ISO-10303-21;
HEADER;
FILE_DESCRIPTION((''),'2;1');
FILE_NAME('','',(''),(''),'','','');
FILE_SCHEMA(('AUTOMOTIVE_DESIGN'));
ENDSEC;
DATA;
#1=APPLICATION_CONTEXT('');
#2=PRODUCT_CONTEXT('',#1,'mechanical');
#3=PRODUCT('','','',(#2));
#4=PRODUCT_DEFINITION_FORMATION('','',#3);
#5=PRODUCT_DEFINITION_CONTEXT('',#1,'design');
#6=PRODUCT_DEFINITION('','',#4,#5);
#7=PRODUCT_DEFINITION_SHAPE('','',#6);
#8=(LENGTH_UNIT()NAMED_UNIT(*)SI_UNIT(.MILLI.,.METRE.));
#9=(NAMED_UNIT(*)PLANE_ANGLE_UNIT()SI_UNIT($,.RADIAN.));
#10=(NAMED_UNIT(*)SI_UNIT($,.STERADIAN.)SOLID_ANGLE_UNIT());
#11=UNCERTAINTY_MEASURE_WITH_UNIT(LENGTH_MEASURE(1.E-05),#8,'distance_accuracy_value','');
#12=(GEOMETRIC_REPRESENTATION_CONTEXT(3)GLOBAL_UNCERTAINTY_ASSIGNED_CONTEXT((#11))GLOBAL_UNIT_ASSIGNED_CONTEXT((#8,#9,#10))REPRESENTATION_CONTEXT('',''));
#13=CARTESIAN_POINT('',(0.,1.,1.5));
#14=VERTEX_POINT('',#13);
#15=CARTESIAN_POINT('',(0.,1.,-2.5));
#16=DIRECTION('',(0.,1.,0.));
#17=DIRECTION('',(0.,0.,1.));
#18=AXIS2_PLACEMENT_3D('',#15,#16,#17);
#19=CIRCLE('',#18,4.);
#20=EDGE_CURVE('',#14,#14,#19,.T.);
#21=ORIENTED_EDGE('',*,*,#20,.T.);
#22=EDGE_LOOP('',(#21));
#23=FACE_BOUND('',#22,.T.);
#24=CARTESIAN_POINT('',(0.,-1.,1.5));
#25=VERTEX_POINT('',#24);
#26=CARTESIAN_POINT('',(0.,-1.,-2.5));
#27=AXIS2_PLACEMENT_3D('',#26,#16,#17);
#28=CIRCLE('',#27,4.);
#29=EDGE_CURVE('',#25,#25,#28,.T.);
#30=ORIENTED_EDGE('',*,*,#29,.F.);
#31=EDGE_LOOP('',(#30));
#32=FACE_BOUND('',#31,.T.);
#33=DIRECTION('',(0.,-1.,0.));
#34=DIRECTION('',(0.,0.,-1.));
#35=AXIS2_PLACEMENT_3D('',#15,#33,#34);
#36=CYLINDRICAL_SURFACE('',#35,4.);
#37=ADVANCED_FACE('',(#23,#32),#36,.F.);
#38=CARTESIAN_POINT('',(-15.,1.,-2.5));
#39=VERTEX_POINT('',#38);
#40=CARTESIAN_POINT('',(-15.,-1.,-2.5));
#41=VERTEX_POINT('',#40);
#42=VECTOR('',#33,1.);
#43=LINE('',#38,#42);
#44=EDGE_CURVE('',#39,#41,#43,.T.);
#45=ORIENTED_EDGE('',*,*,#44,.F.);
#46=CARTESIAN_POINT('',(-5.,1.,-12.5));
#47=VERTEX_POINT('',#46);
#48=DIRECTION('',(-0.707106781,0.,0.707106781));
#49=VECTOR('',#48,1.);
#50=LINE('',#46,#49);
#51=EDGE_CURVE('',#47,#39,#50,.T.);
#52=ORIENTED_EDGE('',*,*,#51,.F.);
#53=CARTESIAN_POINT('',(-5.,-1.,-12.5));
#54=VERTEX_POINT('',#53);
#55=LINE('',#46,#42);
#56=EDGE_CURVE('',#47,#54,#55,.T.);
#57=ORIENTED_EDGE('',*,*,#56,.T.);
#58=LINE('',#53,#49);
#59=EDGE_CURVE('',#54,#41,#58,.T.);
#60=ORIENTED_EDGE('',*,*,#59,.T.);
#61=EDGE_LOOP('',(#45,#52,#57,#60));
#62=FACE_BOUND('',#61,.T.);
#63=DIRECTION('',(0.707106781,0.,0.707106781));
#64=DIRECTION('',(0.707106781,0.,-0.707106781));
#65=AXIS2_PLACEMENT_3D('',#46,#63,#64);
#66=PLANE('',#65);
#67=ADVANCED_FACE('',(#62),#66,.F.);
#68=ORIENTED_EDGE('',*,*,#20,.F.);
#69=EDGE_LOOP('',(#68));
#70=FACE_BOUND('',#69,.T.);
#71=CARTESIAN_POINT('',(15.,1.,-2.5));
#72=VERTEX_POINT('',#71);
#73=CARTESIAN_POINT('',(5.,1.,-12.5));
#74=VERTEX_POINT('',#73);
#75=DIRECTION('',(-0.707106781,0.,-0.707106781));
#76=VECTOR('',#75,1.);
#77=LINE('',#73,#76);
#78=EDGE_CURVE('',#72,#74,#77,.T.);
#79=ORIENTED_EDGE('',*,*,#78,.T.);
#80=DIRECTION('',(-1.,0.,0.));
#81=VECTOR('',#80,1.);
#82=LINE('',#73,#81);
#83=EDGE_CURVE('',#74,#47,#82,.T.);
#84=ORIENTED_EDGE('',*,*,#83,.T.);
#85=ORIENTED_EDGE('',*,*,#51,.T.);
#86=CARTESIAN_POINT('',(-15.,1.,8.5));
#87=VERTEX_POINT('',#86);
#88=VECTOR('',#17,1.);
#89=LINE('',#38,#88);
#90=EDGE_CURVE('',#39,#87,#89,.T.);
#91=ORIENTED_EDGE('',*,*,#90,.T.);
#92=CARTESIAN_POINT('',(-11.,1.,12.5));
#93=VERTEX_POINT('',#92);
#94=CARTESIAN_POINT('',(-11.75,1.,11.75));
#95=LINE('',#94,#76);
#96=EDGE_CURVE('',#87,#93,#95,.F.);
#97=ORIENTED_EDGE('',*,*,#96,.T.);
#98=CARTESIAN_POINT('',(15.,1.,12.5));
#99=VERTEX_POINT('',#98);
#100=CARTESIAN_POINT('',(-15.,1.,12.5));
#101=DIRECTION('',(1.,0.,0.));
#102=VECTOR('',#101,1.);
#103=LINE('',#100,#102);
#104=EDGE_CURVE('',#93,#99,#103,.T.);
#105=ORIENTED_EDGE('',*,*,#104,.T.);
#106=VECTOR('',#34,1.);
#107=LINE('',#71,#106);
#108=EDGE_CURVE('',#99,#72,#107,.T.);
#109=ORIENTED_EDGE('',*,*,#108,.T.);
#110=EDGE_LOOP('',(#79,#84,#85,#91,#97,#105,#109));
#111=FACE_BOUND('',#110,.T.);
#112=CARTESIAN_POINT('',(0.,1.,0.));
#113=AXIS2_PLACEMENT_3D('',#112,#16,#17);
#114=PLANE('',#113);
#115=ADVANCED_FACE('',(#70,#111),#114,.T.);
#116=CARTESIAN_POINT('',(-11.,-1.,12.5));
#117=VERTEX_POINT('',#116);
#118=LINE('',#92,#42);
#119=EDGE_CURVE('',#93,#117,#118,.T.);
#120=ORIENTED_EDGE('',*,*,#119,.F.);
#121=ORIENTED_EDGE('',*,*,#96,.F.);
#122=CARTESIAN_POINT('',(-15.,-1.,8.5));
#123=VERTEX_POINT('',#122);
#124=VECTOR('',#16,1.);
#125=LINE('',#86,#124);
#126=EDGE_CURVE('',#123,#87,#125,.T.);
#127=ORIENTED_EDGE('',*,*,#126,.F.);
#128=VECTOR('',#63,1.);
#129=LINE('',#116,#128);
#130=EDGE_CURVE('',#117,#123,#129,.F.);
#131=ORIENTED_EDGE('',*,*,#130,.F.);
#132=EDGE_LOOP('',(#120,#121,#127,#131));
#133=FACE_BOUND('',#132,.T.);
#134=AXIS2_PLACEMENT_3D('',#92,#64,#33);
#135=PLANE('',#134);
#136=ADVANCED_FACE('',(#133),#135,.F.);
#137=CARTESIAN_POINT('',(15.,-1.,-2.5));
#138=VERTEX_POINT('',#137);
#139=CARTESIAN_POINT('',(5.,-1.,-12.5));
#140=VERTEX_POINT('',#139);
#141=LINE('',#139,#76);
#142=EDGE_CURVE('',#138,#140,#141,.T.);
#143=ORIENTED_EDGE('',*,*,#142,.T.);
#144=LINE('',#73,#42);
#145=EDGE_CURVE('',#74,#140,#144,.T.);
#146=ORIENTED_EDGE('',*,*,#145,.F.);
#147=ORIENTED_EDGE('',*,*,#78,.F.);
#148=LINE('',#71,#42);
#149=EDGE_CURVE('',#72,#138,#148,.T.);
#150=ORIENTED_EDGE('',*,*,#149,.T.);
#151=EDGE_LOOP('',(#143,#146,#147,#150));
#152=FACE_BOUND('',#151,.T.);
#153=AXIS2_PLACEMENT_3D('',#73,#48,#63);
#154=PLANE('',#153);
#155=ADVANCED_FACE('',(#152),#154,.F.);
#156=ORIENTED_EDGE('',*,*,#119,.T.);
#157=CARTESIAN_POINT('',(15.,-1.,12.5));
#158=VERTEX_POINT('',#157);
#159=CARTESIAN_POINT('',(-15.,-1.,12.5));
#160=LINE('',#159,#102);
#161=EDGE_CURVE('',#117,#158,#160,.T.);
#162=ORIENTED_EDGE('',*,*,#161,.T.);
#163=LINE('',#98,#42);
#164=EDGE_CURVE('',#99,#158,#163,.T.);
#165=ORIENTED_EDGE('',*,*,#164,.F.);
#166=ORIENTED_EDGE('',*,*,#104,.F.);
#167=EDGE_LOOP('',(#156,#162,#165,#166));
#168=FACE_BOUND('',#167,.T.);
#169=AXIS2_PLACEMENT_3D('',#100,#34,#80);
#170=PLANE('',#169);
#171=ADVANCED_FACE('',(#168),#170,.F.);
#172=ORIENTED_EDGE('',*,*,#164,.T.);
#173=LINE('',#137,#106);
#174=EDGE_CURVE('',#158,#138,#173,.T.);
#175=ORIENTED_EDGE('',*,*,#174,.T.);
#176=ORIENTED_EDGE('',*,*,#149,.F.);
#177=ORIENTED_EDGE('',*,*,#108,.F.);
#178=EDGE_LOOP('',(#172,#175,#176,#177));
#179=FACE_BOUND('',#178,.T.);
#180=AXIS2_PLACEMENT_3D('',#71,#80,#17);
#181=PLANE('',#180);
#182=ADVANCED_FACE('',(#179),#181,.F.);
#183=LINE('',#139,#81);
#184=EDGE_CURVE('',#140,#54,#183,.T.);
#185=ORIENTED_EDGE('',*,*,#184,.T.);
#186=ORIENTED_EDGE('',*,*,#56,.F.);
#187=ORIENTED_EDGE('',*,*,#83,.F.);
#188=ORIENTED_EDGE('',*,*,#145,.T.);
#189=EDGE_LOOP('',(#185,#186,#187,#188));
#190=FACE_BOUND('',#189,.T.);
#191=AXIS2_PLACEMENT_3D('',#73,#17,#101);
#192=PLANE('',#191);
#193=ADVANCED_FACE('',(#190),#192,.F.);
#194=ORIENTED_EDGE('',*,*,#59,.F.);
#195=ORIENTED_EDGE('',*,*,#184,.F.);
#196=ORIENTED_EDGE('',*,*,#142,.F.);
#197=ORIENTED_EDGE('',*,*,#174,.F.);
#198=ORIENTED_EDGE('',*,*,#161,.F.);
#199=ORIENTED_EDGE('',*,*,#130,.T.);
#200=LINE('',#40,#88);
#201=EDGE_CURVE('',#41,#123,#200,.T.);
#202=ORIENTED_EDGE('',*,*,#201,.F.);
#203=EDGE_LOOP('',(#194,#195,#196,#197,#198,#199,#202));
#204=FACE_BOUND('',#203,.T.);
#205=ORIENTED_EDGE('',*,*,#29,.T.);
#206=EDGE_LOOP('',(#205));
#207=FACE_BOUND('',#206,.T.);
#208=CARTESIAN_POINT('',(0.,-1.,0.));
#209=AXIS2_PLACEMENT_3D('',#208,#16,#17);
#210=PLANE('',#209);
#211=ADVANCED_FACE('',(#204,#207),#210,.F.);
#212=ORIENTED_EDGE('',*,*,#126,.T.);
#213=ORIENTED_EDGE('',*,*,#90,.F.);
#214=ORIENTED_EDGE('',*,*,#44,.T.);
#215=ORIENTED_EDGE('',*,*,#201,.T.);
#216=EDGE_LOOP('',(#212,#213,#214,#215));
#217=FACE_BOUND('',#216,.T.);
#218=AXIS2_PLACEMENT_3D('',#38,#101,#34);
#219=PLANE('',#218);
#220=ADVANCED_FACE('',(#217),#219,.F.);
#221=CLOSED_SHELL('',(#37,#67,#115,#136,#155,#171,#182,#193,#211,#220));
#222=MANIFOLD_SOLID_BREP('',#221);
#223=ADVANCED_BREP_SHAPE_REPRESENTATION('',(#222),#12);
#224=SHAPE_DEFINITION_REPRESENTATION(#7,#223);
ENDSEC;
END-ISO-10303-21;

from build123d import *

# Parameters (mm, degrees)
SKETCH1_R           = 4
BOSS_EXTRUDE1_DEPTH = 1
CHAMFER1_SIZE       = 4


with BuildPart() as part:
    # Sketch1 → Boss-Extrude1 (new body, symmetric)
    with BuildSketch(Plane(origin=(0, 0, 0), x_dir=(1, 0, 0), z_dir=(0, 1, 0))):
        Polygon((5, 12.5), (-5, 12.5), (-15, 2.5), (-15, -12.5), (15, -12.5), (15, 2.5), align=None)
        with Locations((0, 2.5)):
            Circle(SKETCH1_R, mode=Mode.SUBTRACT)
    extrude(amount=BOSS_EXTRUDE1_DEPTH, both=True)

    # Chamfer1
    chamfer1_edges = [part.edges().sort_by_distance(p)[0] for p in [
        (-15, 0, 12.5),
    ]]
    chamfer(chamfer1_edges, length=CHAMFER1_SIZE)


solid = part.part
